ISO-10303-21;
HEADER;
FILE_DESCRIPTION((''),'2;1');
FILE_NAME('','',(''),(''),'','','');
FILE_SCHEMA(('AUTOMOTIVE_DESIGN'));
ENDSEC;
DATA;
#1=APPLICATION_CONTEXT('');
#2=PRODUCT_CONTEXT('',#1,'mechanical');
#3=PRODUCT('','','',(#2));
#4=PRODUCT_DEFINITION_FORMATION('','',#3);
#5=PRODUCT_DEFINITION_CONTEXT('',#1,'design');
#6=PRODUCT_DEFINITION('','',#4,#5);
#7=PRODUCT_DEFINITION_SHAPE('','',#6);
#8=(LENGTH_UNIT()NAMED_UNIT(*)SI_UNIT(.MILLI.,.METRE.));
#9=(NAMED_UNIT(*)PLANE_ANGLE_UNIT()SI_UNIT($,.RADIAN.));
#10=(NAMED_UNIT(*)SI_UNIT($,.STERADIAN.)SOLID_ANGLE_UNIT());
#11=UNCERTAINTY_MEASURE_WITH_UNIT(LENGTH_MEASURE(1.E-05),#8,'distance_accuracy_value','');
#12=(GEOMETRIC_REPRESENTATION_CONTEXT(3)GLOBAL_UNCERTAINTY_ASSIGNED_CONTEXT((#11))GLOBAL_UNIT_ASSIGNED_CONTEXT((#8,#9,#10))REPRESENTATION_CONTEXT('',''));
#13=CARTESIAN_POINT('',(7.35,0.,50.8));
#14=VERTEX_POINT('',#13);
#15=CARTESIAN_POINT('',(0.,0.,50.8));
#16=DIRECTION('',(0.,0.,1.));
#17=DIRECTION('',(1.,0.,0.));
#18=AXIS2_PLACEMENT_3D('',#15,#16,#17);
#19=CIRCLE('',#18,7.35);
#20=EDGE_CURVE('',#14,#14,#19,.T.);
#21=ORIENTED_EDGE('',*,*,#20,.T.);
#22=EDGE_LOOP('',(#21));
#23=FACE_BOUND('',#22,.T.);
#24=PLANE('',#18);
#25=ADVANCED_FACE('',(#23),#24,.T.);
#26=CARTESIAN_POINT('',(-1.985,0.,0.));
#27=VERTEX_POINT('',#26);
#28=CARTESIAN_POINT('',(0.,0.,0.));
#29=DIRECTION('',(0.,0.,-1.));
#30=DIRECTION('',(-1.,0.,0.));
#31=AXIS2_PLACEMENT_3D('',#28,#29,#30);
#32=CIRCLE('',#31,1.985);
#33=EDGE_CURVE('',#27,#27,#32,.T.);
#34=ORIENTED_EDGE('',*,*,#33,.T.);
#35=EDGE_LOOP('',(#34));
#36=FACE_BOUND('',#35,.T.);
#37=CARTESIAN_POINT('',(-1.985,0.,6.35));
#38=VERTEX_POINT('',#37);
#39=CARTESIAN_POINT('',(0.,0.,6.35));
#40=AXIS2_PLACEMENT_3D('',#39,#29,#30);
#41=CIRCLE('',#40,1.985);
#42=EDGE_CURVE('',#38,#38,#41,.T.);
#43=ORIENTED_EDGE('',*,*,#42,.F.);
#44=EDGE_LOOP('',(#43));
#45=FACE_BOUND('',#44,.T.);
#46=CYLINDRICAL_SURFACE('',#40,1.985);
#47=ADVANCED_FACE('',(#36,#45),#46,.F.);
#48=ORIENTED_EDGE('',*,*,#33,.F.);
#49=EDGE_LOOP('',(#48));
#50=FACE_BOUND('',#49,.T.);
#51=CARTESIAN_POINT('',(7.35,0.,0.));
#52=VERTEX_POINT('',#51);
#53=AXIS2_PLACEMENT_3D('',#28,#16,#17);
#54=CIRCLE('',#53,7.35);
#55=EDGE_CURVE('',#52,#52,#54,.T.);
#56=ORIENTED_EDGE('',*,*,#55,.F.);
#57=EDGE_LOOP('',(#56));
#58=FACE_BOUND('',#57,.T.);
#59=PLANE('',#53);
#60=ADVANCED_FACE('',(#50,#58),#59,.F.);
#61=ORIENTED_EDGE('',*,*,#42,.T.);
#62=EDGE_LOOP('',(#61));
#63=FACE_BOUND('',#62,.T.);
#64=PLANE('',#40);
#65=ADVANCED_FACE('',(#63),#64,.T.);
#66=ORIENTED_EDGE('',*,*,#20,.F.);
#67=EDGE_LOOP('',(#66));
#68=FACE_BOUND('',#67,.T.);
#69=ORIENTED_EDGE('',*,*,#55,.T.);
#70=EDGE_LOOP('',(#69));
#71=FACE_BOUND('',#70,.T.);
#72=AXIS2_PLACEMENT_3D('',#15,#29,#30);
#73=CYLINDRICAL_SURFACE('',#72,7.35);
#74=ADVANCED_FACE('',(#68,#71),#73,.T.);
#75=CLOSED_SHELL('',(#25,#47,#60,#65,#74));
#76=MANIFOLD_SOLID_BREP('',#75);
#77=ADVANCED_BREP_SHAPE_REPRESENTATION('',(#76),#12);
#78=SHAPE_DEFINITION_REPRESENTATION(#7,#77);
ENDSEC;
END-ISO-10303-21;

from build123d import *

# Parameters (mm, degrees)
SKETCH1_R           = 7.35
BOSS_EXTRUDE1_DEPTH = 50.8
SKETCH2_R           = 1.985
CUT_EXTRUDE1_DEPTH  = 6.35


with BuildPart() as part:
    # Sketch1 → Boss-Extrude1 (new body)
    with BuildSketch(Plane.XY):
        Circle(SKETCH1_R)
    extrude(amount=BOSS_EXTRUDE1_DEPTH)

    # Sketch2 → Cut-Extrude1 (cut)
    with BuildSketch(Plane(origin=(0, 0, 0), x_dir=(-1, 0, 0), z_dir=(0, 0, -1))):
        Circle(SKETCH2_R)
    extrude(amount=-CUT_EXTRUDE1_DEPTH, mode=Mode.SUBTRACT)


solid = part.part
